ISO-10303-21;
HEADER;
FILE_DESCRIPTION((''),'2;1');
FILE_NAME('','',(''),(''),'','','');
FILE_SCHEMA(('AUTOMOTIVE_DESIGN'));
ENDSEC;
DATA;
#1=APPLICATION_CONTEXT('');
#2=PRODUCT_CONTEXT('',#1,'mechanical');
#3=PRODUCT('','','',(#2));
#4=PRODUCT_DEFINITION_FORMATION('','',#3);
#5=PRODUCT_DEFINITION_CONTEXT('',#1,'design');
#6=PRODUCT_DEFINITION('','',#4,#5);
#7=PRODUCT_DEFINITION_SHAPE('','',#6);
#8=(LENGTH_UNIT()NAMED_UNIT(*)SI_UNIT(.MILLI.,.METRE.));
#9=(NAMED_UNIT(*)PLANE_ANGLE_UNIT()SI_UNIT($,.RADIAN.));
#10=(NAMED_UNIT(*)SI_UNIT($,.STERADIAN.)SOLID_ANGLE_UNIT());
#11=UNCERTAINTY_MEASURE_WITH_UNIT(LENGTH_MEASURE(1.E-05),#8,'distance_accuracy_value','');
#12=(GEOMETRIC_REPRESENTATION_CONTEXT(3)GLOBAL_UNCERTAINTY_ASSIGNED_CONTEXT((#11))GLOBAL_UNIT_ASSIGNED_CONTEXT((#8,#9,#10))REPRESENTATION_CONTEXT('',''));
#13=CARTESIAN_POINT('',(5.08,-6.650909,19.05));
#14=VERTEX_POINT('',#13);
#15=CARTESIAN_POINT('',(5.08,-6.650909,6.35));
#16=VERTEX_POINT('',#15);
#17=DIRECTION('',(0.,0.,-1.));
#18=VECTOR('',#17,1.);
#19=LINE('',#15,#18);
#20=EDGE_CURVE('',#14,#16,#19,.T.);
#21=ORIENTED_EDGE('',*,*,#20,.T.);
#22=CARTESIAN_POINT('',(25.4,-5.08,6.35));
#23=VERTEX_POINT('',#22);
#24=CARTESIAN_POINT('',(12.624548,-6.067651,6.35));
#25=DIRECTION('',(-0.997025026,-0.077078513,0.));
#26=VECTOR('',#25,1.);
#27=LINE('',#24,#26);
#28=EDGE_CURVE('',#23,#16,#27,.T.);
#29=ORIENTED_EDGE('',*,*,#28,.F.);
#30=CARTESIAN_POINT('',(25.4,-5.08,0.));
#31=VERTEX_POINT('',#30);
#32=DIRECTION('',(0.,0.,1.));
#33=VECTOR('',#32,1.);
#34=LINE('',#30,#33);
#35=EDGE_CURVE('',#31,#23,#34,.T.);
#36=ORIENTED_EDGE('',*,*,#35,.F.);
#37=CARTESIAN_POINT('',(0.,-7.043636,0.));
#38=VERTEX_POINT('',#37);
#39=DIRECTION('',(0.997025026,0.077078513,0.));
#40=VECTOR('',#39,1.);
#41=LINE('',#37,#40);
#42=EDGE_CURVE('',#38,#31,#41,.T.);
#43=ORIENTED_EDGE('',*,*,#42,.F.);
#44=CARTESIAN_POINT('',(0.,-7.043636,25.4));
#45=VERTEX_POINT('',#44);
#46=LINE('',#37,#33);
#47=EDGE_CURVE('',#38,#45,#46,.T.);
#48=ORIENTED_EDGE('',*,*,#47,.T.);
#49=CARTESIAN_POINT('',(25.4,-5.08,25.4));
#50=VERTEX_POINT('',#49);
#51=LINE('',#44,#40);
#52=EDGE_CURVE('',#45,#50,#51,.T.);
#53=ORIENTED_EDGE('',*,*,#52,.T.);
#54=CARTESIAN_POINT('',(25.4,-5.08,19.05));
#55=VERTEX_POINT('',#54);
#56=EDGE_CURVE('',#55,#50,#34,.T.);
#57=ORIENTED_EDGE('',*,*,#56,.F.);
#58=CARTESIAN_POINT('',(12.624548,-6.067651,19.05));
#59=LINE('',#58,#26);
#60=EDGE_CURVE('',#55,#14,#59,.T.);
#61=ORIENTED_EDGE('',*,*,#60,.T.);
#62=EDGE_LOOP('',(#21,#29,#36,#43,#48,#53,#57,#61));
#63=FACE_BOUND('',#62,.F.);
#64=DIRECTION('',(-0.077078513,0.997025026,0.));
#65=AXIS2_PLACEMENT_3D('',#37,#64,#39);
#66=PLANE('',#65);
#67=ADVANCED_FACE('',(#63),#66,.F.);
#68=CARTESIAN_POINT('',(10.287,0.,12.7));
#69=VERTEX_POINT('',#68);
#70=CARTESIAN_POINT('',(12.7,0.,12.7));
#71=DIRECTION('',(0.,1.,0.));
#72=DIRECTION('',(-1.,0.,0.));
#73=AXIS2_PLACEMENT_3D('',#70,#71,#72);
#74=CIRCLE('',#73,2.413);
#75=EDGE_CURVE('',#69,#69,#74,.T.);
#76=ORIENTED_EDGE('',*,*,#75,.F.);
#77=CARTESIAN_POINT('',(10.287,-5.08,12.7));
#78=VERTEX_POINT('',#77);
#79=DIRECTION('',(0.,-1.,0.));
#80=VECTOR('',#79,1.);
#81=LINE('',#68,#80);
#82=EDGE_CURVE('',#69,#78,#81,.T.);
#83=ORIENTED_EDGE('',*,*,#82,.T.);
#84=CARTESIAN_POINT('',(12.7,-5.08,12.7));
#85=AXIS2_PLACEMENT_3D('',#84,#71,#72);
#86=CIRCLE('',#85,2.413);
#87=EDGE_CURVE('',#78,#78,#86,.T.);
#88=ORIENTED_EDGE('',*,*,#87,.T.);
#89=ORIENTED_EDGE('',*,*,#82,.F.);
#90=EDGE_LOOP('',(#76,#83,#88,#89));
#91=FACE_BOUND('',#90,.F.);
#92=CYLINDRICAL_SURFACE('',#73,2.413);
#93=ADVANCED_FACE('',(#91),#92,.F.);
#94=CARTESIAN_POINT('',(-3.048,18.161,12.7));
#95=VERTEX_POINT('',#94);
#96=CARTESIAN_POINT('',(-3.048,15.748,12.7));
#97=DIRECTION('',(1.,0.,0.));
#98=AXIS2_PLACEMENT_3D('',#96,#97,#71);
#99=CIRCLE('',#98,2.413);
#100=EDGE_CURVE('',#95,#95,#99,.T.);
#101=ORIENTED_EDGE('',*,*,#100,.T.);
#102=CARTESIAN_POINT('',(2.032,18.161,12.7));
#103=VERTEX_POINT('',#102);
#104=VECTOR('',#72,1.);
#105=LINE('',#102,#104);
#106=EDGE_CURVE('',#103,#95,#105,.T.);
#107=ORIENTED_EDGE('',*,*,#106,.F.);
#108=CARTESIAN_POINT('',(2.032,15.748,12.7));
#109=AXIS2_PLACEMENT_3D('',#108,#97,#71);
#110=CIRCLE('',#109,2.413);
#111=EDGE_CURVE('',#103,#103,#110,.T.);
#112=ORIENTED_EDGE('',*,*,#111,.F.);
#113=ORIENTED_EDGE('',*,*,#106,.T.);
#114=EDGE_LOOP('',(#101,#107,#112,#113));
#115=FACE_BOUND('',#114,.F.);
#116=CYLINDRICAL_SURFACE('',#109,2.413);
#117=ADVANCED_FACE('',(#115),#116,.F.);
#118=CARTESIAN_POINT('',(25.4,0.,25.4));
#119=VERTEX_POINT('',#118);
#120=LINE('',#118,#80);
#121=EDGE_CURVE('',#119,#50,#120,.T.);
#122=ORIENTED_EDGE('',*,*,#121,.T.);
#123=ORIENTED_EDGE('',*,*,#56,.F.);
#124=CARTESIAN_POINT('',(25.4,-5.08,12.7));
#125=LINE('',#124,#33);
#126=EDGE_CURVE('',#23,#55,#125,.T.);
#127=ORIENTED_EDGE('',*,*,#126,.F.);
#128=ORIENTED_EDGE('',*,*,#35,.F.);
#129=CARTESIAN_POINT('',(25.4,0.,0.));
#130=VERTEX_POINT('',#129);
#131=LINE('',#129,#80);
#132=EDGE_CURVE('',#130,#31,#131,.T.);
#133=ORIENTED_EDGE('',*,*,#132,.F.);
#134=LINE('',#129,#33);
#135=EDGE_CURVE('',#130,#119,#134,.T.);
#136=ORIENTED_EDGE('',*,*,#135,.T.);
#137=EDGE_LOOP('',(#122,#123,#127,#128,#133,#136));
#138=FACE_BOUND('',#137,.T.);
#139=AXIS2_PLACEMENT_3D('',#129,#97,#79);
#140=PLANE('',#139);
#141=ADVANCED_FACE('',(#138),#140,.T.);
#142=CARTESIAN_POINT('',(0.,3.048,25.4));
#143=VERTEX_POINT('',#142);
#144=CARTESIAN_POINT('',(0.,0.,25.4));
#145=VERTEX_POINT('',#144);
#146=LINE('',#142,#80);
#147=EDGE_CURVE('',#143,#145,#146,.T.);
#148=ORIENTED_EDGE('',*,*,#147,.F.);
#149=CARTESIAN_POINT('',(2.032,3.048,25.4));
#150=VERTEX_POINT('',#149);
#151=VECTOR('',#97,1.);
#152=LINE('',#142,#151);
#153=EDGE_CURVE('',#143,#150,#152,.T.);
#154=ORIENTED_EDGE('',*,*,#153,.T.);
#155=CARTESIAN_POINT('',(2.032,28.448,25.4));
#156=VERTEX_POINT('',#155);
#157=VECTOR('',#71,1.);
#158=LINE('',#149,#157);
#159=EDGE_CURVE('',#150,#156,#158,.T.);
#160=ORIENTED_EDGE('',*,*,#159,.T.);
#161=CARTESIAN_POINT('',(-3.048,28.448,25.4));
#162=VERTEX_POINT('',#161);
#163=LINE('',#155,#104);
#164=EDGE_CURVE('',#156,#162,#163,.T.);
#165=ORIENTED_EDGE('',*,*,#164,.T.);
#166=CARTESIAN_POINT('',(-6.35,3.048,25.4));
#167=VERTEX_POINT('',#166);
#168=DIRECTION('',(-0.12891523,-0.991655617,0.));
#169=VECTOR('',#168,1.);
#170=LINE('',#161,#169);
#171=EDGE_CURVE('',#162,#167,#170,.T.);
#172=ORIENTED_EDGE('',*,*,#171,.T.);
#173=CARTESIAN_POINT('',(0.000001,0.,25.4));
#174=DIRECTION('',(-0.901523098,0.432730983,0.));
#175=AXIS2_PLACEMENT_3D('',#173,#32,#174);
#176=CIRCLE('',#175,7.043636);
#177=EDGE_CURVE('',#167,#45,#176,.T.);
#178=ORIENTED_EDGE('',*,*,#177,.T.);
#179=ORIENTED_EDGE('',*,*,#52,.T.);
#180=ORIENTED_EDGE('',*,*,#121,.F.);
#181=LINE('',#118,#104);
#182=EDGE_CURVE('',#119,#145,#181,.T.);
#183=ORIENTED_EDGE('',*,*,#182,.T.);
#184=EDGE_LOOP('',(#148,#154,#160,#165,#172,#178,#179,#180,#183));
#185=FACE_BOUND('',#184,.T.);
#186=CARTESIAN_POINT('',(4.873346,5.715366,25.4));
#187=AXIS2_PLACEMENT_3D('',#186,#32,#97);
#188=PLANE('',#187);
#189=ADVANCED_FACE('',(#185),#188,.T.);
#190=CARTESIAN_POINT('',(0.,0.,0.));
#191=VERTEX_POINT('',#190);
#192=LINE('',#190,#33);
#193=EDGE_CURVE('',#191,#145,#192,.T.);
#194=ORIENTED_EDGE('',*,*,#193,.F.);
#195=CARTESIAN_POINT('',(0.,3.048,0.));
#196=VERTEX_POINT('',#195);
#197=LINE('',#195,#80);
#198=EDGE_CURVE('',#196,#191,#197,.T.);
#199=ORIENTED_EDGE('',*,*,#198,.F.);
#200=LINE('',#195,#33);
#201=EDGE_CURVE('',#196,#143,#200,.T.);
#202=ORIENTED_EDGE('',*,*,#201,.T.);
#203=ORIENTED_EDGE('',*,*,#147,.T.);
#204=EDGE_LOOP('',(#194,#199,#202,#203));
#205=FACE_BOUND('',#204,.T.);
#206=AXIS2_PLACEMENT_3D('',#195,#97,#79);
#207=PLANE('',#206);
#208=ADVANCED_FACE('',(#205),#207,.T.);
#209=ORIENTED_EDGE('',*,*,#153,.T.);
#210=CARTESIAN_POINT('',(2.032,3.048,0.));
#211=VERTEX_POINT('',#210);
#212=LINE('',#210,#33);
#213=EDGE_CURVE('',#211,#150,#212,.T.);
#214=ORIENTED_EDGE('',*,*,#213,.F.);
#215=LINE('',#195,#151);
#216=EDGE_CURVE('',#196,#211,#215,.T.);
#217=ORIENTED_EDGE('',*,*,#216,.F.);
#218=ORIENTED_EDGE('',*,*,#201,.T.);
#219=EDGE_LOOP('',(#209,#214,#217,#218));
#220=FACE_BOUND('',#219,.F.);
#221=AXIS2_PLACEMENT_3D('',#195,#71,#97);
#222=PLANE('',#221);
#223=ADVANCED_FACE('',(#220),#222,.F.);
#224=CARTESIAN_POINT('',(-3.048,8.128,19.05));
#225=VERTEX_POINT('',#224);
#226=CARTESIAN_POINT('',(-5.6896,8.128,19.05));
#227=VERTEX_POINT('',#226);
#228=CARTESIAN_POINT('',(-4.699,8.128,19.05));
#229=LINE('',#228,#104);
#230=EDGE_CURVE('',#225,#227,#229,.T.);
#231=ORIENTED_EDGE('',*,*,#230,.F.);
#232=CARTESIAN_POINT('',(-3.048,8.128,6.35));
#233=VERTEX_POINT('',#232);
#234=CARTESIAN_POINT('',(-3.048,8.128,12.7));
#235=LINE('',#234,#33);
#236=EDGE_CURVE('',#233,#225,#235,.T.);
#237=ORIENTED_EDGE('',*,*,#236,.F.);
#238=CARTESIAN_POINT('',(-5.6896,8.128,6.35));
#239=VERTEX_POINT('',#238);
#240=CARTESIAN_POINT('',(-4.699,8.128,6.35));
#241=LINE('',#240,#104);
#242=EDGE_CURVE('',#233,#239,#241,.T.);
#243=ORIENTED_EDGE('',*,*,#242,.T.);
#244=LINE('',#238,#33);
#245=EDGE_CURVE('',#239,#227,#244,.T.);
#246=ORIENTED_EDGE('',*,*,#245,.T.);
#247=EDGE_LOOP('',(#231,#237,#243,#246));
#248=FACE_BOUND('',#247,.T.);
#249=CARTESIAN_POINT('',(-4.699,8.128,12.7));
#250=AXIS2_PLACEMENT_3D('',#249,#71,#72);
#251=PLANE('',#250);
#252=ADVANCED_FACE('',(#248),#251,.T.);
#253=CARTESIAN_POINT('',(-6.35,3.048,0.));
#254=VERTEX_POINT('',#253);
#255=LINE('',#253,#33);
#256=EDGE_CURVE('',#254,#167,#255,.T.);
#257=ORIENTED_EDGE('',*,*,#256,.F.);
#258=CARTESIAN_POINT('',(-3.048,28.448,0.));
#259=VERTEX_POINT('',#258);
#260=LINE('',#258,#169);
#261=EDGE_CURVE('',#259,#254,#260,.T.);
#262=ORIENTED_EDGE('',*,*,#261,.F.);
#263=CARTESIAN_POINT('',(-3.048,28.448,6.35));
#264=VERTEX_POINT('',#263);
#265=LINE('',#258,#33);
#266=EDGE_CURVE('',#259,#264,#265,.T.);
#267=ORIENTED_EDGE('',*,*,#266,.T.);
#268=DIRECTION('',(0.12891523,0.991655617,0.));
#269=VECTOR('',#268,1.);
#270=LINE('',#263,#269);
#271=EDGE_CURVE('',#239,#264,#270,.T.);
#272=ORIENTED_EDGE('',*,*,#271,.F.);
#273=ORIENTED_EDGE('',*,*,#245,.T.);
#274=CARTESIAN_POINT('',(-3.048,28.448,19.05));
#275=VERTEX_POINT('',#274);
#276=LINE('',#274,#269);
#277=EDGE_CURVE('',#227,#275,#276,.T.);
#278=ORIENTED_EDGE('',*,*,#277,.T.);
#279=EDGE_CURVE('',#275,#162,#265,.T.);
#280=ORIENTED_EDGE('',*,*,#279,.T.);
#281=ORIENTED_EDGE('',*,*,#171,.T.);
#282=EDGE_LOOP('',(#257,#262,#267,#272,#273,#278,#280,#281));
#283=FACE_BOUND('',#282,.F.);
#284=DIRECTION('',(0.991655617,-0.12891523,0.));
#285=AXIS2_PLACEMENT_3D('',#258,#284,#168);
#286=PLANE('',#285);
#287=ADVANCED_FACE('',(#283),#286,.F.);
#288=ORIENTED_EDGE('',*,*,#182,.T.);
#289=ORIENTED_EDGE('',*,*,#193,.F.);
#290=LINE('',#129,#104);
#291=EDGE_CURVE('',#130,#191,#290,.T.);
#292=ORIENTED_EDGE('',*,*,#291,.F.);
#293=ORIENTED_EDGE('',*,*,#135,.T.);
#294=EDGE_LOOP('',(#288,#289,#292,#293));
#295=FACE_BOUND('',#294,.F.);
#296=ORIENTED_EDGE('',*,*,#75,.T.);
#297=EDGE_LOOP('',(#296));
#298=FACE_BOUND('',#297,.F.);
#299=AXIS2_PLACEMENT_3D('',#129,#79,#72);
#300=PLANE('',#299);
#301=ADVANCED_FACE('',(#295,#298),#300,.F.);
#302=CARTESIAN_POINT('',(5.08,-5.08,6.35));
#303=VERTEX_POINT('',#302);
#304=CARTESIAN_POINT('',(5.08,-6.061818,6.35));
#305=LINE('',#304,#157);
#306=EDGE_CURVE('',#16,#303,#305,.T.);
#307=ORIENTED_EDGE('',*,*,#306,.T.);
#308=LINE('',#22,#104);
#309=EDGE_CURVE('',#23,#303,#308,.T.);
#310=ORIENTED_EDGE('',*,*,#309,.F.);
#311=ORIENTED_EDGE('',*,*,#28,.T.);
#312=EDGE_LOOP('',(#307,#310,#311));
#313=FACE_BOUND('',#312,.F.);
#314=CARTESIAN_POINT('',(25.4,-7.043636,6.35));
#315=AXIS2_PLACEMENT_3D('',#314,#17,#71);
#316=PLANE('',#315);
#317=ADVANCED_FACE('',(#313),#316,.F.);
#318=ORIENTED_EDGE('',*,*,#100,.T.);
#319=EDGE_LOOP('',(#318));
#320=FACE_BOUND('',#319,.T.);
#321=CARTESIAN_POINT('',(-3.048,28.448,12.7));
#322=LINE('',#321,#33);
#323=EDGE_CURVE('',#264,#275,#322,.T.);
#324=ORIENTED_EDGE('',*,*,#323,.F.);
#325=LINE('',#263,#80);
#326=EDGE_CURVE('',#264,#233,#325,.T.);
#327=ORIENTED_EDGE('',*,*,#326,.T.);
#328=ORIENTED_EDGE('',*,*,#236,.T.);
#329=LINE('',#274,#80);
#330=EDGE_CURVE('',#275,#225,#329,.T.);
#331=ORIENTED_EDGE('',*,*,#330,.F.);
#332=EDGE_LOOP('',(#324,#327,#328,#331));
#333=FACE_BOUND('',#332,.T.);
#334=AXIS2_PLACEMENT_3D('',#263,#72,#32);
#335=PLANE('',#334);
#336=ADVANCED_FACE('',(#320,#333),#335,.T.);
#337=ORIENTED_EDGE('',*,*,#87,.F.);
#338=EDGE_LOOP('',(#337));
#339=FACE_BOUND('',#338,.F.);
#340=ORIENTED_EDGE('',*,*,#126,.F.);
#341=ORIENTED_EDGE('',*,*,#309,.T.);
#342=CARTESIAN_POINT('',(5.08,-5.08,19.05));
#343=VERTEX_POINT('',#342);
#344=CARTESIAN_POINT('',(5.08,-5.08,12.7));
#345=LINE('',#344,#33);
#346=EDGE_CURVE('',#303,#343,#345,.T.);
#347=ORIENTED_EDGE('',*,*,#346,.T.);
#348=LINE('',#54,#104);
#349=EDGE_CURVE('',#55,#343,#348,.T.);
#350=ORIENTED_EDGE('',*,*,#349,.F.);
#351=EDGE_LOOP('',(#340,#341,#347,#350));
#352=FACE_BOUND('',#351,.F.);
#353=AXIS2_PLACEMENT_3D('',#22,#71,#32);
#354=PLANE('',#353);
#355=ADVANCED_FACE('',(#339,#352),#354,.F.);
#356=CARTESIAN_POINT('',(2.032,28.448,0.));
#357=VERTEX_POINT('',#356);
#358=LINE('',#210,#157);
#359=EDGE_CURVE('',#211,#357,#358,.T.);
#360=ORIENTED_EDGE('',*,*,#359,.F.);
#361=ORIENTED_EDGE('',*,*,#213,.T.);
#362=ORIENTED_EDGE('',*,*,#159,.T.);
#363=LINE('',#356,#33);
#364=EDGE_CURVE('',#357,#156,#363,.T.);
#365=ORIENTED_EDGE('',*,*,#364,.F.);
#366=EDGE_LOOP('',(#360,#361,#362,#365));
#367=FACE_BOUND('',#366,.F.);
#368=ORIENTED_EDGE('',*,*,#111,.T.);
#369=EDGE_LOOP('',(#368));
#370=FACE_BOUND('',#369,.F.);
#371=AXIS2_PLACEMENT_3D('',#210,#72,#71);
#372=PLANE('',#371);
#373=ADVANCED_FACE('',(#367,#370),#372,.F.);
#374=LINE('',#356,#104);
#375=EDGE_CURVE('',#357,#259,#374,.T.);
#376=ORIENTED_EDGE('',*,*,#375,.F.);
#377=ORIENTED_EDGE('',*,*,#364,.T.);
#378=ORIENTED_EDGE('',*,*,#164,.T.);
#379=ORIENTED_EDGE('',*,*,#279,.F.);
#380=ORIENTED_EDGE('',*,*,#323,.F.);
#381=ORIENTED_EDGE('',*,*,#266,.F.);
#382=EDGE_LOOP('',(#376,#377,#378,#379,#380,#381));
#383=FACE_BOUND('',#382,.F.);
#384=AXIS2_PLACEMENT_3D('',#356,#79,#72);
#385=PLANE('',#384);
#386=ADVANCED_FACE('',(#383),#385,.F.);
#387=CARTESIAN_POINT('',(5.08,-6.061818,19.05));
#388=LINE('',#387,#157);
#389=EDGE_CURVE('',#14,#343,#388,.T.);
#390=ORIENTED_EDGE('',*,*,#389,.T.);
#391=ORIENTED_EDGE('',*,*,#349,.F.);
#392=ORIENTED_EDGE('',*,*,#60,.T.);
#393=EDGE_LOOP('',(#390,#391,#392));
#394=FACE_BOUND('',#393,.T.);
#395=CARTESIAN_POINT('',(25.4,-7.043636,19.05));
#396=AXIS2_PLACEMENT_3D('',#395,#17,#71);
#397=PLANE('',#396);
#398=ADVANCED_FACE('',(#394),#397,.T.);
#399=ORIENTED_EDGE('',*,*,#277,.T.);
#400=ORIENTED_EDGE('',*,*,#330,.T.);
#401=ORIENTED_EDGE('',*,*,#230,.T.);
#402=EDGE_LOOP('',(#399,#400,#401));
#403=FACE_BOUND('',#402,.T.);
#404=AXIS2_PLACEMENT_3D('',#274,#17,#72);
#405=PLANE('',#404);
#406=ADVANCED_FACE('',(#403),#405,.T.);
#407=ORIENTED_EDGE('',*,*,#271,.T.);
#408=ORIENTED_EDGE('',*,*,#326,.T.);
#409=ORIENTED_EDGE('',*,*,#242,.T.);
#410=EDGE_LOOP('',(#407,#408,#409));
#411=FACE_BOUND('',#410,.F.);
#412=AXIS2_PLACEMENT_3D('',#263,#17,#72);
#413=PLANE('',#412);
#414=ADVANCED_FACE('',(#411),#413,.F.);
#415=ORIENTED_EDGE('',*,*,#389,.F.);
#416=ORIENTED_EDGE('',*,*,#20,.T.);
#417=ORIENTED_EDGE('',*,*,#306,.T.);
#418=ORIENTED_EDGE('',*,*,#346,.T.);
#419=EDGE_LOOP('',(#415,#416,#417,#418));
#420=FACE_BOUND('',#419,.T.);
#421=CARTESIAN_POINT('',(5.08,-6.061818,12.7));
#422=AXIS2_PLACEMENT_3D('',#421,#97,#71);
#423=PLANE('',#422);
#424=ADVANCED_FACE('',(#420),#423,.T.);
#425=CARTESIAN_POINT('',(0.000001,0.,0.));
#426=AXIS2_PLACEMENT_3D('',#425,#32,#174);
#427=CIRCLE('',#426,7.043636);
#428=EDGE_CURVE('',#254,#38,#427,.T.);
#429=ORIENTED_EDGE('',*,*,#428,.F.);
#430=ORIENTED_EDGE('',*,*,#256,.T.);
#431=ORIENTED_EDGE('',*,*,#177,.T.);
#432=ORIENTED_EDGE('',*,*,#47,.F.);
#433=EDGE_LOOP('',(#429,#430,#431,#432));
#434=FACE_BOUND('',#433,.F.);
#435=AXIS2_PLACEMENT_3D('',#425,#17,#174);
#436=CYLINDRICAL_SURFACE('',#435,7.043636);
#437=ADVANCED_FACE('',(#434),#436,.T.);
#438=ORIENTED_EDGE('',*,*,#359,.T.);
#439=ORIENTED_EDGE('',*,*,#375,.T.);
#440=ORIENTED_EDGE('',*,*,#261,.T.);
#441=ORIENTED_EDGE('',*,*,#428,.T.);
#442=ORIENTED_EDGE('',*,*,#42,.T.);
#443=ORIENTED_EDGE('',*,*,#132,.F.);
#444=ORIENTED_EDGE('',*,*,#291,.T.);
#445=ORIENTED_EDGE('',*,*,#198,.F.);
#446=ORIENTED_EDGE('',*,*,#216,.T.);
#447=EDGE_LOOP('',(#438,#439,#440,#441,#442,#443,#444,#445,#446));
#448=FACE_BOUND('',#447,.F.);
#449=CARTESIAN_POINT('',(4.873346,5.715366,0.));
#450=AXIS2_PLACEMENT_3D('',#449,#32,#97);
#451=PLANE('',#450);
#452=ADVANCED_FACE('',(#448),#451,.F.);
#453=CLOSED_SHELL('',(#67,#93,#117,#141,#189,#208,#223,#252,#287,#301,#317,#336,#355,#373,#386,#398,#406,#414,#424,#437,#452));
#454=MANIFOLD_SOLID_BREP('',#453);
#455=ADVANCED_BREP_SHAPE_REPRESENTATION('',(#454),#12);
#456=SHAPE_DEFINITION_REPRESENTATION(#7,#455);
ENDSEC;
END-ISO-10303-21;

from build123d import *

# Parameters (mm, degrees)
PAD_DEPTH       = 25.4
SKETCH001_R     = 2.413
POCKET_DEPTH    = 10.16
SKETCH002_R     = 2.413
POCKET001_DEPTH = 10.16
SKETCH003_W     = 3.302
SKETCH003_H     = 12.7
POCKET002_DEPTH = 20.32
SKETCH004_W     = 1.963636
SKETCH004_H     = 12.7
POCKET003_DEPTH = 20.32


with BuildPart() as part:
    # Sketch → Pad (new body)
    with BuildSketch(Plane.XY):
        with BuildLine():
            Line((25.4, 0), (0, 0))
            Line((0, 3.048), (0, 0))
            Line((0, 3.048), (2.032, 3.048))
            Line((2.032, 3.048), (2.032, 28.448))
            Line((2.032, 28.448), (-3.048, 28.448))
            Line((-3.048, 28.448), (-6.35, 3.048))
            ThreePointArc((-6.35, 3.048), (-5.961619, -3.751253), (0, -7.043636))
            Line((0, -7.043636), (25.4, -5.08))
            Line((25.4, 0), (25.4, -5.08))
        make_face()
    extrude(amount=PAD_DEPTH)

    # Sketch001 (on Face4 of Pad) → Pocket (cut)
    with BuildSketch(Plane.YZ.offset(2.032)):
        with Locations((15.748, 12.7)):
            Circle(SKETCH001_R)
    extrude(amount=-POCKET_DEPTH, mode=Mode.SUBTRACT)

    # Sketch002 (on Face1 of Pocket) → Pocket001 (cut)
    with BuildSketch(Plane(origin=(0, 0, 0), x_dir=(-1, 0, 0), z_dir=(0, 1, 0))):
        with Locations((-12.7, 12.7)):
            Circle(SKETCH002_R)
    extrude(amount=-POCKET001_DEPTH, mode=Mode.SUBTRACT)

    # Sketch003 (on Face10 of Pocket001) → Pocket002 (cut)
    with BuildSketch(Plane(origin=(0, 28.448, 0), x_dir=(-1, 0, 0), z_dir=(0, 1, 0))):
        with Locations((4.699, 12.7)):
            Rectangle(SKETCH003_W, SKETCH003_H)
    extrude(amount=-POCKET002_DEPTH, mode=Mode.SUBTRACT)

    # Sketch004 (on Face2 of Pocket002) → Pocket003 (cut)
    with BuildSketch(Plane.YZ.offset(25.4)):
        with Locations((-6.061818, 12.7)):
            Rectangle(SKETCH004_W, SKETCH004_H)
    extrude(amount=-POCKET003_DEPTH, mode=Mode.SUBTRACT)


solid = part.part
